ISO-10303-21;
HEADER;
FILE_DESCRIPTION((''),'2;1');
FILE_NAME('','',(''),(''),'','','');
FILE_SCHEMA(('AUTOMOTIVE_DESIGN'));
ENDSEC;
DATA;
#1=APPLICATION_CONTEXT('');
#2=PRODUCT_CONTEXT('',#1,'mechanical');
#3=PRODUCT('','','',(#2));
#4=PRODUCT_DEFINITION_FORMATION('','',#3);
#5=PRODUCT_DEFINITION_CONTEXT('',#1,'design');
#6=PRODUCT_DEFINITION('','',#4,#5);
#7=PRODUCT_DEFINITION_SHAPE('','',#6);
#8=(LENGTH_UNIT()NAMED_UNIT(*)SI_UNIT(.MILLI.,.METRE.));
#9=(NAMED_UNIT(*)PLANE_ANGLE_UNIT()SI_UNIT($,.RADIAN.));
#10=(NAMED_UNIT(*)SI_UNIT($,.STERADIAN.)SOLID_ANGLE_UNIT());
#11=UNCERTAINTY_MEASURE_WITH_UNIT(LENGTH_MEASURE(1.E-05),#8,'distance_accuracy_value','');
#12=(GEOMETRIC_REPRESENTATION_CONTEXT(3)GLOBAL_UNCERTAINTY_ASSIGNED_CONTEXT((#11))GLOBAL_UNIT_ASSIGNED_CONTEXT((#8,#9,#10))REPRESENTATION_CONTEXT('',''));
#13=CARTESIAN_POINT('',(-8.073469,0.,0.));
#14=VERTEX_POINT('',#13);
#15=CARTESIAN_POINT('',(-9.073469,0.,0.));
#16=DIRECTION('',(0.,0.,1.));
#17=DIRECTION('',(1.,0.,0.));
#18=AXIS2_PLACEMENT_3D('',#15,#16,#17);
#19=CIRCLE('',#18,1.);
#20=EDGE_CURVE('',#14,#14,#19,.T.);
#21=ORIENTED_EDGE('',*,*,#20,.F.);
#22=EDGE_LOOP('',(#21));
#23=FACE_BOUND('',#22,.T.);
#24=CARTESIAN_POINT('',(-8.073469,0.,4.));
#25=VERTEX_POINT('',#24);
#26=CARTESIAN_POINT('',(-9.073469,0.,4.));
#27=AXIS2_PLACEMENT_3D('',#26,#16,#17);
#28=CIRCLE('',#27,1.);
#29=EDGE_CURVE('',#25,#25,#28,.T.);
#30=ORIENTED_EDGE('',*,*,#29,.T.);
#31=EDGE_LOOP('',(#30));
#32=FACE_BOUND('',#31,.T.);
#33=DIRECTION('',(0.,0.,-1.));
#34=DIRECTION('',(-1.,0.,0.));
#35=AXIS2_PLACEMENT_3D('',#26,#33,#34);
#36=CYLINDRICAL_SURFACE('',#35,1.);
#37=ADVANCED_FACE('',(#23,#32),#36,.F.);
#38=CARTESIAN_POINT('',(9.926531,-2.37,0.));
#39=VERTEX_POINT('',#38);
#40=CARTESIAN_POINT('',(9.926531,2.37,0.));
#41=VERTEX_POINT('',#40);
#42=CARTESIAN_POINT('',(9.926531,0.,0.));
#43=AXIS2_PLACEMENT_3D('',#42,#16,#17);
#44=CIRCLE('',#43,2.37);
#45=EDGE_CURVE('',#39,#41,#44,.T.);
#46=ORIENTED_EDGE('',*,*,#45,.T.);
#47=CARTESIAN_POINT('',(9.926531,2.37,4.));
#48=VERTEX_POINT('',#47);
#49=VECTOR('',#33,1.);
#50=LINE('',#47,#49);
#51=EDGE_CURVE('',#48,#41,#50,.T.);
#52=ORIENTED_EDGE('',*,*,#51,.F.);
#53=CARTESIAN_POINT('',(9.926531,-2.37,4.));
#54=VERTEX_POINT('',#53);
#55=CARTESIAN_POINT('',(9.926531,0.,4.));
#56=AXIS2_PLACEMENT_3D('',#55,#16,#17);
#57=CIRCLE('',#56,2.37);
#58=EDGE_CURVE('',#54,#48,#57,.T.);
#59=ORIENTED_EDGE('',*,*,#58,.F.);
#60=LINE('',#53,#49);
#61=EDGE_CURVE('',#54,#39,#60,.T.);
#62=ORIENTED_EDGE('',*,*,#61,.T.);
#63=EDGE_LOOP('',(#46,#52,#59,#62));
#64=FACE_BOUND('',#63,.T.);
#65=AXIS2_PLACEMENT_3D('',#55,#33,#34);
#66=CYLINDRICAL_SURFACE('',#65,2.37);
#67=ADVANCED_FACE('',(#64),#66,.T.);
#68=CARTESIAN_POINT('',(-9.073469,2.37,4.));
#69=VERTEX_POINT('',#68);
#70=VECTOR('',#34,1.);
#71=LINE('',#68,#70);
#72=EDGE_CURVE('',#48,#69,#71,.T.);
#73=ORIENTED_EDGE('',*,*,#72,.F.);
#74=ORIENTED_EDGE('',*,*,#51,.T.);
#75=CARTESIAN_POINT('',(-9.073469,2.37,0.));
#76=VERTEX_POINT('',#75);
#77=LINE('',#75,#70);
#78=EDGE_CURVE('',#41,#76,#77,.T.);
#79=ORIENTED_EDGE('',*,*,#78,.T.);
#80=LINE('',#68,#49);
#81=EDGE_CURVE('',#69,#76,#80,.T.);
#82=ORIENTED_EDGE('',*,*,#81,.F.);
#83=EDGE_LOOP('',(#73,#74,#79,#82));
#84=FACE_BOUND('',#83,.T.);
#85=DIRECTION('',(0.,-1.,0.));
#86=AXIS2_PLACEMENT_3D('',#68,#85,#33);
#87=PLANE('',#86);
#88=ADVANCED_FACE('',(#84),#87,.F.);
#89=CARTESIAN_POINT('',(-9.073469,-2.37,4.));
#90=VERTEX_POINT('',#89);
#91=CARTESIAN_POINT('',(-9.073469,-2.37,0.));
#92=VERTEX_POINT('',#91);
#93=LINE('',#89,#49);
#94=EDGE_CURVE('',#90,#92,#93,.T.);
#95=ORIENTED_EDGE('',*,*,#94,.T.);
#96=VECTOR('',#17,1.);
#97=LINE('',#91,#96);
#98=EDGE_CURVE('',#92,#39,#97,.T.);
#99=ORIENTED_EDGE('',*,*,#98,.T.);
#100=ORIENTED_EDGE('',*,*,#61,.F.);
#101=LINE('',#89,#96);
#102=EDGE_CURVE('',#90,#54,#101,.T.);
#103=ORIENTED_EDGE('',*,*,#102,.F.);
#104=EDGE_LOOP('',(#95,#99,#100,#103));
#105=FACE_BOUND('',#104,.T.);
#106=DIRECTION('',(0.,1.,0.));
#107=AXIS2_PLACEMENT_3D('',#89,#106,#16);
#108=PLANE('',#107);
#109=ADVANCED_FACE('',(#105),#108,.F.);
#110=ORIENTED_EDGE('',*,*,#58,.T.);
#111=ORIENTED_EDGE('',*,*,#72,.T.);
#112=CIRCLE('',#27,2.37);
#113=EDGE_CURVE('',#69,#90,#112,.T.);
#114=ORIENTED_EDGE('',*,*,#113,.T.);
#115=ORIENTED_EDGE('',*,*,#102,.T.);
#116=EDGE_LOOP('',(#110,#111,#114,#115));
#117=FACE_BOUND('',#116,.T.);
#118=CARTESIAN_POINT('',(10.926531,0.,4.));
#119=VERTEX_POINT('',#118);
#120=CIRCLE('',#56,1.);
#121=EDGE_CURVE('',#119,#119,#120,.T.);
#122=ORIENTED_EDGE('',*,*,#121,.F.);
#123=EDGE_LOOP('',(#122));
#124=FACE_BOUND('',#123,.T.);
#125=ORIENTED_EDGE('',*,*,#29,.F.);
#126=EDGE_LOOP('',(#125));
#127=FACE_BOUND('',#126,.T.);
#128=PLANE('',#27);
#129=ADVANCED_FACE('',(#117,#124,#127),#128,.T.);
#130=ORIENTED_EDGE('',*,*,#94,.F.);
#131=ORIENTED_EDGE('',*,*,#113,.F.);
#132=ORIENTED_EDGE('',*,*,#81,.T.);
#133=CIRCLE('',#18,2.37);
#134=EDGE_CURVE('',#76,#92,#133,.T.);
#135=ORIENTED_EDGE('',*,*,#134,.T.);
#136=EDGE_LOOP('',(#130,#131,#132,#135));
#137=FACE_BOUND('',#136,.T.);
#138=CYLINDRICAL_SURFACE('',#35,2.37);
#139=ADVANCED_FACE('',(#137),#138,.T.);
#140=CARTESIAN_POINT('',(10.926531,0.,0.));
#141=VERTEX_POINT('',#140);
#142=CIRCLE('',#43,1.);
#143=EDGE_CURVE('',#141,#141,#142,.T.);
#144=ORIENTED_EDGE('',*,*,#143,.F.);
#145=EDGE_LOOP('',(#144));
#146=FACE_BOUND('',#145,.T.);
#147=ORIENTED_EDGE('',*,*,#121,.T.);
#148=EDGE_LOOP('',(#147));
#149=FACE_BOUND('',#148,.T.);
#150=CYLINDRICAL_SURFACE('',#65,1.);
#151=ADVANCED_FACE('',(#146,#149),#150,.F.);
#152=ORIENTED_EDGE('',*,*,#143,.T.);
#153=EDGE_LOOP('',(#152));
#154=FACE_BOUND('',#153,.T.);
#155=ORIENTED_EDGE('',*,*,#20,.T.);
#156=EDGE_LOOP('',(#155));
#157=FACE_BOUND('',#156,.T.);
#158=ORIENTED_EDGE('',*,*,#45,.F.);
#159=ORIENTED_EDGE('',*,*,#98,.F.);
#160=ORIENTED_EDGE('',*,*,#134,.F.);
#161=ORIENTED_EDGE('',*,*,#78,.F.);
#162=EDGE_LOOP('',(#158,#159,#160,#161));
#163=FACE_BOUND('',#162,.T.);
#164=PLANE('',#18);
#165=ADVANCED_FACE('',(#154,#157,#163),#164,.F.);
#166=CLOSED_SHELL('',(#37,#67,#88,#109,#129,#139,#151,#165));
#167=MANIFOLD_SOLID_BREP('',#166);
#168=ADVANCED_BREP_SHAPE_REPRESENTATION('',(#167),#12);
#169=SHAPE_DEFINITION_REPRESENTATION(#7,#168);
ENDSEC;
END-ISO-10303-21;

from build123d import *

# Parameters (mm, degrees)
SKETCH1_R           = 1
BOSS_EXTRUDE1_DEPTH = 4


with BuildPart() as part:
    # Sketch1 → Boss-Extrude1 (new body)
    with BuildSketch(Plane.XY):
        with BuildLine():
            Line((-9.073469388, 2.37), (9.926530612, 2.37))
            ThreePointArc((9.926530612, 2.37), (12.296530612, 0), (9.926530612, -2.37))
            Line((9.926530612, -2.37), (-9.073469388, -2.37))
            ThreePointArc((-9.073469388, -2.37), (-11.443469388, 0), (-9.073469388, 2.37))
        make_face()
        with Locations((9.926530612, 0)):
            Circle(SKETCH1_R, mode=Mode.SUBTRACT)
        with Locations((-9.073469388, 0)):
            Circle(SKETCH1_R, mode=Mode.SUBTRACT)
    extrude(amount=BOSS_EXTRUDE1_DEPTH)


solid = part.part
